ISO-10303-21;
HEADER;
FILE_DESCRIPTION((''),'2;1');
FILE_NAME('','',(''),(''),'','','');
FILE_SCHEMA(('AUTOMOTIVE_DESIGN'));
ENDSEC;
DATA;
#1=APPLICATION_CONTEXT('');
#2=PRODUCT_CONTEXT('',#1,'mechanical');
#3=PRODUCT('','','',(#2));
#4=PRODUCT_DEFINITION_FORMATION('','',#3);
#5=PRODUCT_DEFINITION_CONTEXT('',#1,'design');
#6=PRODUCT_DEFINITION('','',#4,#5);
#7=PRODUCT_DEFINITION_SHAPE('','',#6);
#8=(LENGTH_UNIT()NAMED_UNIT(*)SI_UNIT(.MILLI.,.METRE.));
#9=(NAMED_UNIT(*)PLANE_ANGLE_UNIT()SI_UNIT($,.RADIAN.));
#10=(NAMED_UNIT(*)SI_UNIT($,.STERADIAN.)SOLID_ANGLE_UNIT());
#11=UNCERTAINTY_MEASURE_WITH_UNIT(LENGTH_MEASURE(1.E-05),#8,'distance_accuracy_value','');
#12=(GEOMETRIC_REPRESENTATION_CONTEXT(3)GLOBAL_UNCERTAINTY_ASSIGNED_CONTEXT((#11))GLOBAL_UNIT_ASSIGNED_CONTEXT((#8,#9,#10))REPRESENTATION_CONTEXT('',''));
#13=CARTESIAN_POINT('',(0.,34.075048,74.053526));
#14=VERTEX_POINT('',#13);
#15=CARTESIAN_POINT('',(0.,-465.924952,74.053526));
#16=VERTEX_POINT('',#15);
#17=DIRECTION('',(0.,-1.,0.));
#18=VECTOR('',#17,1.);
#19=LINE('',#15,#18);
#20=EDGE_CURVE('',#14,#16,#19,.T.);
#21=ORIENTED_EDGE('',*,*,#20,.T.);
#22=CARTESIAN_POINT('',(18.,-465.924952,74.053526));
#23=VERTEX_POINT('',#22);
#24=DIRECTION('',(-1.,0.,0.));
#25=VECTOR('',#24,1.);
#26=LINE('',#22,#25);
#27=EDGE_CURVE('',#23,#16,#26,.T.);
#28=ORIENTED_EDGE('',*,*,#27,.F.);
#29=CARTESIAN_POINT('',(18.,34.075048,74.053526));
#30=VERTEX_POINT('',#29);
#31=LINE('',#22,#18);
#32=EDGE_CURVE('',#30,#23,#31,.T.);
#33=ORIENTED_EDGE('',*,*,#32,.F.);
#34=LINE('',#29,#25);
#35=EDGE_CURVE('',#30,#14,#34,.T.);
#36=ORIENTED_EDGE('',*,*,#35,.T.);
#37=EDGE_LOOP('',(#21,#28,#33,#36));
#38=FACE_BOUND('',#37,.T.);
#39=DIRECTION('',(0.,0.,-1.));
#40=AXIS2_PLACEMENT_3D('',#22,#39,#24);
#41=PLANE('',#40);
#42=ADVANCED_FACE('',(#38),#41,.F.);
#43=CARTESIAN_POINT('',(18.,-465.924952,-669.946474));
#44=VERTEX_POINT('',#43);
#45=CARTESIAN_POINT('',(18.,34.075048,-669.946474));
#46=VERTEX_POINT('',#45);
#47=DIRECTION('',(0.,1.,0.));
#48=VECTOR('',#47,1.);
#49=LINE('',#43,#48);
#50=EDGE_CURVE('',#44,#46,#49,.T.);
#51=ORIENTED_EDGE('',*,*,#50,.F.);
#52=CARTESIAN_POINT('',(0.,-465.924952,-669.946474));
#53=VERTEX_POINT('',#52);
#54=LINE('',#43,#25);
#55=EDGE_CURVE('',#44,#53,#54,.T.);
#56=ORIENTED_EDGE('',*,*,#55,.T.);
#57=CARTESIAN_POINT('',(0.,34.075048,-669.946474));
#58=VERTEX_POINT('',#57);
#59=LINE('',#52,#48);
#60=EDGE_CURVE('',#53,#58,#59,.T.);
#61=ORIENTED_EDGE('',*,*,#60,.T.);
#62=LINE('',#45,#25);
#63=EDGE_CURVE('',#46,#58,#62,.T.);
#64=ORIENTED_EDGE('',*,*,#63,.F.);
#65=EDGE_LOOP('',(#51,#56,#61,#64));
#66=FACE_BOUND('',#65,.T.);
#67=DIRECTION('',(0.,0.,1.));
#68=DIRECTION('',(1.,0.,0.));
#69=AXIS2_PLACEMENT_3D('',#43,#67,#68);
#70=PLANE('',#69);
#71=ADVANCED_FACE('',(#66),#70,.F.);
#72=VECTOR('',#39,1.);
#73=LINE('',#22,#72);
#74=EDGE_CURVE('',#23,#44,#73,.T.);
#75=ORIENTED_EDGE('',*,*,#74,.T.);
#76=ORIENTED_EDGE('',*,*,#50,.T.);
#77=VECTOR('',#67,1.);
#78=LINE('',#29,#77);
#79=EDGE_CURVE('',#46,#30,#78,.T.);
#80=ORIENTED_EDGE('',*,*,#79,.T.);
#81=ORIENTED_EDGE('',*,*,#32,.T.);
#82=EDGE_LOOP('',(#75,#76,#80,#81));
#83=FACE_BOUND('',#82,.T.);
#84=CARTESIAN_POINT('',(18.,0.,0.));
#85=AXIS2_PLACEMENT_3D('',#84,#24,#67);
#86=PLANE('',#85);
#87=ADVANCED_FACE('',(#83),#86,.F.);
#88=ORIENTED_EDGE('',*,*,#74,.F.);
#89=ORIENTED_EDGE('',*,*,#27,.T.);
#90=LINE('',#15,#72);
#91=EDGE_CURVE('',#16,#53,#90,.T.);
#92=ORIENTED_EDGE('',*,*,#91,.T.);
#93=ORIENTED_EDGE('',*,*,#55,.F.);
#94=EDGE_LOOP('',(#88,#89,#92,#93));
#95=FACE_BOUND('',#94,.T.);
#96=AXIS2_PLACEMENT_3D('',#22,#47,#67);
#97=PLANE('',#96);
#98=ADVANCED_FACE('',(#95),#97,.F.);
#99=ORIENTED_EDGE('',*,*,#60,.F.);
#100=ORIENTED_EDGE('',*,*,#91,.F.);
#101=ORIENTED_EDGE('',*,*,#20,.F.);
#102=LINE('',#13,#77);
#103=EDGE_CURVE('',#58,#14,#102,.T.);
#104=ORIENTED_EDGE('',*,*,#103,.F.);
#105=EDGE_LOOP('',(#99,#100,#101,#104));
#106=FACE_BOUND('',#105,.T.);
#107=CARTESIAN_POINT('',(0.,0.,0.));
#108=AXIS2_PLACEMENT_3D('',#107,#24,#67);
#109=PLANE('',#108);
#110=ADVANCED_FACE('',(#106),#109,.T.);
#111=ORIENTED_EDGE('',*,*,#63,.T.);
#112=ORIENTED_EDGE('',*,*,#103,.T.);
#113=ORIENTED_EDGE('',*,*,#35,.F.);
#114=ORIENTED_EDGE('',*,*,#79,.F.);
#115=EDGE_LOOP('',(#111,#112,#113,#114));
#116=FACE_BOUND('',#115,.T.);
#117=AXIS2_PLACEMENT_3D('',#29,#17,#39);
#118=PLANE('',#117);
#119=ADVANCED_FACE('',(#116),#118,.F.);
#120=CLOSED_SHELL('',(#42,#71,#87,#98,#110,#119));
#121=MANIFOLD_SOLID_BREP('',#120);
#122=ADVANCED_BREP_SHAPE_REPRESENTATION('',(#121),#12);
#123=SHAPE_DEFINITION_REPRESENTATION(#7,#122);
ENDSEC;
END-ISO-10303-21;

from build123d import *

# Parameters (mm, degrees)
SKETCH1_W           = 744
SKETCH1_H           = 500
BOSS_EXTRUDE1_DEPTH = 18


with BuildPart() as part:
    # Sketch1 → Boss-Extrude1 (new body)
    with BuildSketch(Plane(origin=(0, 0, 0), x_dir=(0, 0, -1), z_dir=(1, 0, 0))):
        with Locations((297.946474068, -215.924952068)):
            Rectangle(SKETCH1_W, SKETCH1_H)
    extrude(amount=BOSS_EXTRUDE1_DEPTH)


solid = part.part
